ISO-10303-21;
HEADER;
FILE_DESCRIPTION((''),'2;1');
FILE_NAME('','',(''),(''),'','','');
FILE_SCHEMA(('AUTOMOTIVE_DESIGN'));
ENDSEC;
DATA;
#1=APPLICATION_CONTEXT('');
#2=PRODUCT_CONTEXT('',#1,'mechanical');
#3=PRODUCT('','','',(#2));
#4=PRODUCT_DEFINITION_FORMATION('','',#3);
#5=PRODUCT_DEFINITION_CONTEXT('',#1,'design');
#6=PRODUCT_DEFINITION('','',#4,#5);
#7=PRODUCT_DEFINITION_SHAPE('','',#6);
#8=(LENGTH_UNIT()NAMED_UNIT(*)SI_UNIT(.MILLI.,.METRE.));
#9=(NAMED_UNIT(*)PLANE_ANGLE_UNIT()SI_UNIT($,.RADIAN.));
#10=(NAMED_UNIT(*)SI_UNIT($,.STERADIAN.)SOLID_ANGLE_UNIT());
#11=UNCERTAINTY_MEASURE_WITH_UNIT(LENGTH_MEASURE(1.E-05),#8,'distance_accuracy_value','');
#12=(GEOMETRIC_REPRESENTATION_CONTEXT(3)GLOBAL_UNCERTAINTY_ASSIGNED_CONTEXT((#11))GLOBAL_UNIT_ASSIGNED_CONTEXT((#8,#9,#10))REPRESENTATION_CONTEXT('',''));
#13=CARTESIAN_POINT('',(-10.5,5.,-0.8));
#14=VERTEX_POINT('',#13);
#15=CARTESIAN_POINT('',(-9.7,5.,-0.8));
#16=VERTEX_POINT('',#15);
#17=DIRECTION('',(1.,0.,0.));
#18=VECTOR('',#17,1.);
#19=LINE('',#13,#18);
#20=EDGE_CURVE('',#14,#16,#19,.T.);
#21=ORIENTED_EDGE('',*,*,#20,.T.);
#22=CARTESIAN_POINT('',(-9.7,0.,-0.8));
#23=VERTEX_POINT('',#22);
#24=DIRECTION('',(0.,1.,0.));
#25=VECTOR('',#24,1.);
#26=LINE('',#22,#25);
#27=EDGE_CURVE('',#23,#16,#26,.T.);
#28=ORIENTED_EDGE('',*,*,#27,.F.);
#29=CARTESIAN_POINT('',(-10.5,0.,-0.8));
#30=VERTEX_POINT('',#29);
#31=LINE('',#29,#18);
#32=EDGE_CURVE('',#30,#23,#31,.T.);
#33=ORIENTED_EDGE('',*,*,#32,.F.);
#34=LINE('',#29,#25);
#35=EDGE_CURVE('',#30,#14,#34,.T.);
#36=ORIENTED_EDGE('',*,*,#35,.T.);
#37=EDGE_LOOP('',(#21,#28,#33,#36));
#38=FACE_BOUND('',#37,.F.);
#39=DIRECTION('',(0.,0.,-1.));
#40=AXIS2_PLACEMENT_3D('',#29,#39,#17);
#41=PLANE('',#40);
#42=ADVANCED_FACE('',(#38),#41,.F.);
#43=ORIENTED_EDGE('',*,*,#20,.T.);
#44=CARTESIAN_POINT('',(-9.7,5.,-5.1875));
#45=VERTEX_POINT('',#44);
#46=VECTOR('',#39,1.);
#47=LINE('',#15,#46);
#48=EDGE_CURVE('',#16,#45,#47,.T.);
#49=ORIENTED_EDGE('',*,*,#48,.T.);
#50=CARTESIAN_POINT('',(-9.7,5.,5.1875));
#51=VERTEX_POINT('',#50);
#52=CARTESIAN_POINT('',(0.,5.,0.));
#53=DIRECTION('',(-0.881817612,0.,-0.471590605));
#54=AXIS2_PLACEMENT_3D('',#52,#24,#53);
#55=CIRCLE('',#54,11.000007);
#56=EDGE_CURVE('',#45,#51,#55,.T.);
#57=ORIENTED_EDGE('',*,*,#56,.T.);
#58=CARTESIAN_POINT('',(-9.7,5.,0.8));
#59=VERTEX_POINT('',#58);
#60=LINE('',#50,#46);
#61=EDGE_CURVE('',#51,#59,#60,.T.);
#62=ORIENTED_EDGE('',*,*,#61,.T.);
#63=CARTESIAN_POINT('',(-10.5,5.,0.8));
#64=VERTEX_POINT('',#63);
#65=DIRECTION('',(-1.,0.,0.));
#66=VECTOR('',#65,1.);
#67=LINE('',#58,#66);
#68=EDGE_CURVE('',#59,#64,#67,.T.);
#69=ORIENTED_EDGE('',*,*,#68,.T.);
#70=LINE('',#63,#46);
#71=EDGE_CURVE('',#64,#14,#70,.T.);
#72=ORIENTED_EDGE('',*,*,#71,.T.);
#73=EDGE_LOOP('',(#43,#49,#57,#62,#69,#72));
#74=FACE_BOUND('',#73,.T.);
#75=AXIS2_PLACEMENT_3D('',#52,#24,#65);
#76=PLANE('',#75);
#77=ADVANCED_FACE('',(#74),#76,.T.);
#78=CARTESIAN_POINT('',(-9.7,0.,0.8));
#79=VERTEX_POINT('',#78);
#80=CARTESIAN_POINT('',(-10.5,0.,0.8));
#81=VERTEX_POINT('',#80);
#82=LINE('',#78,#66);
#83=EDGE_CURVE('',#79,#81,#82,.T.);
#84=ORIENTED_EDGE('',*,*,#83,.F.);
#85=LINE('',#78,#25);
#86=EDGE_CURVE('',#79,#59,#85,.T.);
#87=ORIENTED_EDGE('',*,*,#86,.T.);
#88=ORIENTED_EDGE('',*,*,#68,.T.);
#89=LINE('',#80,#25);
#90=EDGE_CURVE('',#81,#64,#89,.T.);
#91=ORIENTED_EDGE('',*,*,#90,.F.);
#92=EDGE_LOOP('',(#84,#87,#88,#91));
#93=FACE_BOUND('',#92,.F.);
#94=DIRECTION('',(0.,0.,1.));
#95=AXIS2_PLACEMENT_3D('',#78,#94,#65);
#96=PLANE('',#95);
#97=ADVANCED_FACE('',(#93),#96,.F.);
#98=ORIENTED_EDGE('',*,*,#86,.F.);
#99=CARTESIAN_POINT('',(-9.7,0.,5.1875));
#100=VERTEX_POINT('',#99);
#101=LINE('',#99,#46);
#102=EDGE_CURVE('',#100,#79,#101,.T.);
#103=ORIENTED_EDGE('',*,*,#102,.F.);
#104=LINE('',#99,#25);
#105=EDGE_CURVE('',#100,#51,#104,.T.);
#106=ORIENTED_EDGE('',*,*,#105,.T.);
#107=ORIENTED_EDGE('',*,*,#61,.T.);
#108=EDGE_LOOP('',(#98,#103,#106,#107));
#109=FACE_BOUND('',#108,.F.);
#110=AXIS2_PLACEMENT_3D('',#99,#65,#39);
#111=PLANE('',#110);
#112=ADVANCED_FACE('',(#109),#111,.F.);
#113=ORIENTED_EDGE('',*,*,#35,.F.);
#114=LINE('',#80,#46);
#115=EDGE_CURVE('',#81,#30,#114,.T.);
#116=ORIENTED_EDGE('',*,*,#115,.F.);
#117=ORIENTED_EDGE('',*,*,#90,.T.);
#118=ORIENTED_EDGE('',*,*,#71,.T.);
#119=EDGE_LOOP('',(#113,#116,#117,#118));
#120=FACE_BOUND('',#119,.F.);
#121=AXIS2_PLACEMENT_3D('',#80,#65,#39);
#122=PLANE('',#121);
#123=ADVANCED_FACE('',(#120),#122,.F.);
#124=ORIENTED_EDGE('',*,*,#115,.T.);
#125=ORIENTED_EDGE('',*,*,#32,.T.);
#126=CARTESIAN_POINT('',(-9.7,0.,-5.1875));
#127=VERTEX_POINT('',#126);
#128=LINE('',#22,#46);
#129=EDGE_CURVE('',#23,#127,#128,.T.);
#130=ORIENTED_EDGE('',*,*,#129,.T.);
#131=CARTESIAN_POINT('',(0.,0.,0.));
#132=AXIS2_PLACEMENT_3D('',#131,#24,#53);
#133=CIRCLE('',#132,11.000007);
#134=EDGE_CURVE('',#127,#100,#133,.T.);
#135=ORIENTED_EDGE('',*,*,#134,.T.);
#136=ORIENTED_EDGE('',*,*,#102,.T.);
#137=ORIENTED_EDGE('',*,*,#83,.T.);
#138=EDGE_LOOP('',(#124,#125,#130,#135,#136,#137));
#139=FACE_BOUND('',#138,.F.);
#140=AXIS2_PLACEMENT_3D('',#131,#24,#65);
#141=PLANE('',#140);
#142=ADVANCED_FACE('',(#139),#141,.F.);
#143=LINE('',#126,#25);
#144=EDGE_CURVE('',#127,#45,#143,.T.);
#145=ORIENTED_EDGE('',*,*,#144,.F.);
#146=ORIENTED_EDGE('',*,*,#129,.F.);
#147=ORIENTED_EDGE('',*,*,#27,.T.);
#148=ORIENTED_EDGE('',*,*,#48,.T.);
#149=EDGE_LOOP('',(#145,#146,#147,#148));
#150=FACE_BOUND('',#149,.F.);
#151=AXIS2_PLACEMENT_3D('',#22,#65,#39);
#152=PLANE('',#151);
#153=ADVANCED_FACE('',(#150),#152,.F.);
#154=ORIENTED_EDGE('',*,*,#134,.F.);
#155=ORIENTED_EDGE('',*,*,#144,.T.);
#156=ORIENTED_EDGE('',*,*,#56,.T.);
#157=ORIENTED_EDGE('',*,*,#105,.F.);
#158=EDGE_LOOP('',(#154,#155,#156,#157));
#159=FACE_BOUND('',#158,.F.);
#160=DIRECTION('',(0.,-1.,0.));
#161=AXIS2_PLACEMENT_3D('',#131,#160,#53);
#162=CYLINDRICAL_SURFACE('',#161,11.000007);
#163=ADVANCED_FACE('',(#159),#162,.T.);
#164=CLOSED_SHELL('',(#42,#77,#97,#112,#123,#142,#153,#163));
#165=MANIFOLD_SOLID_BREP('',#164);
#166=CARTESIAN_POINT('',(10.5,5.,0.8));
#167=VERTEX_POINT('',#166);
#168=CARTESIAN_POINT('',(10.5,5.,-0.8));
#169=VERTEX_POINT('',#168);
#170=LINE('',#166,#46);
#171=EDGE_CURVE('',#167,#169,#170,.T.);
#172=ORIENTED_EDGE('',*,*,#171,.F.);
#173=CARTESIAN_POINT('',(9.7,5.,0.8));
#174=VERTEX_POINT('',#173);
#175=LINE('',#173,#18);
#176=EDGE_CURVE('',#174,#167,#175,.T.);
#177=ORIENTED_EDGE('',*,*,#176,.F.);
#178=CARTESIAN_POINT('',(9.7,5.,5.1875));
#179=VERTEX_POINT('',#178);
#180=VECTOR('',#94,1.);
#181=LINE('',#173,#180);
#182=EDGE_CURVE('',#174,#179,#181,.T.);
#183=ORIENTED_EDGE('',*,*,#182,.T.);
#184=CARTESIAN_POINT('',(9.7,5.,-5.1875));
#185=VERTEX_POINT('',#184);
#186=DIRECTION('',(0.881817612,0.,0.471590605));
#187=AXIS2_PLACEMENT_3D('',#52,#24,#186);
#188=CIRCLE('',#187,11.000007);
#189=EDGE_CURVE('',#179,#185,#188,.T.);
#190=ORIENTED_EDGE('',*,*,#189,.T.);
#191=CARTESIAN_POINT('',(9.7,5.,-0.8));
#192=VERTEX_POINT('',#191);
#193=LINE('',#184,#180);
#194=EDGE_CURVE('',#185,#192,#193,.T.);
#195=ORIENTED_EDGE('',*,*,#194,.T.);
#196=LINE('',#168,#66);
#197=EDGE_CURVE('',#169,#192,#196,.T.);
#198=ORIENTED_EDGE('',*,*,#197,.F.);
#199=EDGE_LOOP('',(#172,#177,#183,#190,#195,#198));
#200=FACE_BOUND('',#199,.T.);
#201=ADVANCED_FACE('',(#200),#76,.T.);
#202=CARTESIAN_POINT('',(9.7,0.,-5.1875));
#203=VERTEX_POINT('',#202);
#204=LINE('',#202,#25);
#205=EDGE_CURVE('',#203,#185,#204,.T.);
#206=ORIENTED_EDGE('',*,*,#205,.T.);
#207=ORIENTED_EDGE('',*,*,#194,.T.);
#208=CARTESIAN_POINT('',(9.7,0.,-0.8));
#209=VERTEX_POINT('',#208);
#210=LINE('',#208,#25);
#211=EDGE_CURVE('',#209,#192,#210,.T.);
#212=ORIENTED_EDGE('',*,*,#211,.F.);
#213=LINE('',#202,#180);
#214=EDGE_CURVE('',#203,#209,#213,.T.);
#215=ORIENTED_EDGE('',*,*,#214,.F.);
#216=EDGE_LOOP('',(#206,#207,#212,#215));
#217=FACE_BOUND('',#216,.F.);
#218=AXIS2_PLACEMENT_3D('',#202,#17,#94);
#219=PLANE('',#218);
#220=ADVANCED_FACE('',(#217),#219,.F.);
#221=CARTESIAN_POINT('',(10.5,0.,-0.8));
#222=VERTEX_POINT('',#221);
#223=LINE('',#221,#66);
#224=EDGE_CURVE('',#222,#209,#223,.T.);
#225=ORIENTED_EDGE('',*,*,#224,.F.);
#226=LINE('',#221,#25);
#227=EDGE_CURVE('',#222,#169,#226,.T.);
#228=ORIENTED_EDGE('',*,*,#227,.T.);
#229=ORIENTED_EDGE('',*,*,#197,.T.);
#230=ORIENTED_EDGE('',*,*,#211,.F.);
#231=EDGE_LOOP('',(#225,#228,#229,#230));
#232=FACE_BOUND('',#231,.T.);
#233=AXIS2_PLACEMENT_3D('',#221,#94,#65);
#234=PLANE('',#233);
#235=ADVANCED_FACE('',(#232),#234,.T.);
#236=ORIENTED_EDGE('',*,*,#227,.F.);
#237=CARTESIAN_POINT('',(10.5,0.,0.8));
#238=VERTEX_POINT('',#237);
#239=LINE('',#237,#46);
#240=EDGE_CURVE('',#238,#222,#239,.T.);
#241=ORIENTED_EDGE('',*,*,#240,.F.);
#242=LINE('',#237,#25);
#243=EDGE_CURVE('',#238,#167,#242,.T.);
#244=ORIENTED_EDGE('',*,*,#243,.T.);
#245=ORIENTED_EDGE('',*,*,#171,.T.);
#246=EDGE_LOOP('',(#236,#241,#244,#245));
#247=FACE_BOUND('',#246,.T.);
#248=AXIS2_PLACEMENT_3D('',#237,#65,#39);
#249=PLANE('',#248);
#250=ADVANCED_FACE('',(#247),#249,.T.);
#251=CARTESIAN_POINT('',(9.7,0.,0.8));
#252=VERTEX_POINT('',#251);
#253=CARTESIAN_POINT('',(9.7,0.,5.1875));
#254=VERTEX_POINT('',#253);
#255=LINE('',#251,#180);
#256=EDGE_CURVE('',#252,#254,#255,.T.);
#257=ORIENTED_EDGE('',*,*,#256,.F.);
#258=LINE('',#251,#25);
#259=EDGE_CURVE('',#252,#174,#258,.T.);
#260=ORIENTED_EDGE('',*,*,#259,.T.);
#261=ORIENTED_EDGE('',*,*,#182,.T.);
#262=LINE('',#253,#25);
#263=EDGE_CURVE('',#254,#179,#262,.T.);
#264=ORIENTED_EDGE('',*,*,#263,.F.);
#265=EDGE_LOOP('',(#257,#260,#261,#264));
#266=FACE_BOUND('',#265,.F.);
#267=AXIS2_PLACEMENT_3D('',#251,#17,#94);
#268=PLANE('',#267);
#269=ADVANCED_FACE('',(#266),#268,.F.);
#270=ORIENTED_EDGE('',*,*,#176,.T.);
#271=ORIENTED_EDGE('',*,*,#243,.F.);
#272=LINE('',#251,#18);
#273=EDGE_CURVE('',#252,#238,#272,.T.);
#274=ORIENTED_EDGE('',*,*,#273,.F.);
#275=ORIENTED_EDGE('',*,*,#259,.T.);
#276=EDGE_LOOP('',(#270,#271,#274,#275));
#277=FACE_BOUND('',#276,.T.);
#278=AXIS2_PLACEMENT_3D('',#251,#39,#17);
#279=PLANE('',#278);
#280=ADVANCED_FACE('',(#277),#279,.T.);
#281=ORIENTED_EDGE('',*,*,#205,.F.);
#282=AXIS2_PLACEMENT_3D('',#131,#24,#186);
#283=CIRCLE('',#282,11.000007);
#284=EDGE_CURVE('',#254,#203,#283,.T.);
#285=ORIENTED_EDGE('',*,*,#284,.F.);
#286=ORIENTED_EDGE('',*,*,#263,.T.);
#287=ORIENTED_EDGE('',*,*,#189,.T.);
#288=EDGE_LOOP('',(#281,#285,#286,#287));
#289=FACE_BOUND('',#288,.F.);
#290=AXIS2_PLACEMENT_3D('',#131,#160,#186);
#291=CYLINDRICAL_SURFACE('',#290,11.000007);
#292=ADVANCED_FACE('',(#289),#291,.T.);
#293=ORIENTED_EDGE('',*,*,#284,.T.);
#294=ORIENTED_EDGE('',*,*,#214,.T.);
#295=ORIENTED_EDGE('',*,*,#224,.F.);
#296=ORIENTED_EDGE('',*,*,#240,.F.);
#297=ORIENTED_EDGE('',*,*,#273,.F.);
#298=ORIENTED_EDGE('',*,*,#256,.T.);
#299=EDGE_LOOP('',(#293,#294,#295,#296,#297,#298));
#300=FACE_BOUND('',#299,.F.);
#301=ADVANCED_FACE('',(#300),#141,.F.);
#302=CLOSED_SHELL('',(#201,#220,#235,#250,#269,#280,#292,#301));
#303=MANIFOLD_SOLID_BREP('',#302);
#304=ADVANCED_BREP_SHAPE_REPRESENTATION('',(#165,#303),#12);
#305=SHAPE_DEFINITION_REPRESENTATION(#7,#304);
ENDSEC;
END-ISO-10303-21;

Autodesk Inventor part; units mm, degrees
ref_plane "YZ Plane" through (0, 0, 0) normal (1, 0, 0) x (0, 1, 0)
ref_plane "XZ Plane" through (0, 0, 0) normal (0, 1, 0) x (-1, 0, 0)
ref_plane "XY Plane" through (0, 0, 0) normal (0, 0, 1) x (1, 0, 0)
sketch "Szkic1" plane through (0, 0, 0) normal (0, 1, 0) x (-1, 0, 0)
  line L0 (-10.5, -0.8) -> (-8.9, -0.8)
  line L1 (-9.7, 0.8) -> (-10.5, 0.8)
  line L2 (-10.5, 0.8) -> (-10.5, -0.8)
  line L3 (-10.5, -0.8) -> (-8.9, 0.8) construction
  line L4 (-8.9, -0.8) -> (-10.5, 0.8) construction
  line L5 (9.7, 0.8) -> (10.5, 0.8)
  line L6 (10.5, 0.8) -> (10.5, -0.8)
  line L7 (10.5, -0.8) -> (9.7, -0.8)
  line L8 (8.9, 0.8) -> (10.5, -0.8) construction
  line L9 (10.5, 0.8) -> (8.9, -0.8) construction
  arc A0 (-9.7, 5.1875) -> (-9.7, -5.1875) centre (0, 0) ccw
  arc A1 (-5.7952, -9.3496) -> (5.7952, -9.3496) centre (0, 0) ccw
  arc A2 (9.7, -5.1875) -> (9.7, 5.1875) centre (0, 0) ccw
  line L10 (-9.7, -5.1875) -> (-9.7, -0.8)
  line L11 (-9.7, 0.8) -> (-9.7, 5.1875)
  line L12 (9.7, 5.1875) -> (9.7, 0.8)
  line L13 (9.7, -0.8) -> (9.7, -5.1875)
  point P0 (-9.7, 0)
  point P1 (9.7, 0)
  dimension "d5" = 21
extrude "Wyciągnięcie proste1" add sketch "Szkic1" along normal blind 5
properties part number "TRZYMACZ PCB"
